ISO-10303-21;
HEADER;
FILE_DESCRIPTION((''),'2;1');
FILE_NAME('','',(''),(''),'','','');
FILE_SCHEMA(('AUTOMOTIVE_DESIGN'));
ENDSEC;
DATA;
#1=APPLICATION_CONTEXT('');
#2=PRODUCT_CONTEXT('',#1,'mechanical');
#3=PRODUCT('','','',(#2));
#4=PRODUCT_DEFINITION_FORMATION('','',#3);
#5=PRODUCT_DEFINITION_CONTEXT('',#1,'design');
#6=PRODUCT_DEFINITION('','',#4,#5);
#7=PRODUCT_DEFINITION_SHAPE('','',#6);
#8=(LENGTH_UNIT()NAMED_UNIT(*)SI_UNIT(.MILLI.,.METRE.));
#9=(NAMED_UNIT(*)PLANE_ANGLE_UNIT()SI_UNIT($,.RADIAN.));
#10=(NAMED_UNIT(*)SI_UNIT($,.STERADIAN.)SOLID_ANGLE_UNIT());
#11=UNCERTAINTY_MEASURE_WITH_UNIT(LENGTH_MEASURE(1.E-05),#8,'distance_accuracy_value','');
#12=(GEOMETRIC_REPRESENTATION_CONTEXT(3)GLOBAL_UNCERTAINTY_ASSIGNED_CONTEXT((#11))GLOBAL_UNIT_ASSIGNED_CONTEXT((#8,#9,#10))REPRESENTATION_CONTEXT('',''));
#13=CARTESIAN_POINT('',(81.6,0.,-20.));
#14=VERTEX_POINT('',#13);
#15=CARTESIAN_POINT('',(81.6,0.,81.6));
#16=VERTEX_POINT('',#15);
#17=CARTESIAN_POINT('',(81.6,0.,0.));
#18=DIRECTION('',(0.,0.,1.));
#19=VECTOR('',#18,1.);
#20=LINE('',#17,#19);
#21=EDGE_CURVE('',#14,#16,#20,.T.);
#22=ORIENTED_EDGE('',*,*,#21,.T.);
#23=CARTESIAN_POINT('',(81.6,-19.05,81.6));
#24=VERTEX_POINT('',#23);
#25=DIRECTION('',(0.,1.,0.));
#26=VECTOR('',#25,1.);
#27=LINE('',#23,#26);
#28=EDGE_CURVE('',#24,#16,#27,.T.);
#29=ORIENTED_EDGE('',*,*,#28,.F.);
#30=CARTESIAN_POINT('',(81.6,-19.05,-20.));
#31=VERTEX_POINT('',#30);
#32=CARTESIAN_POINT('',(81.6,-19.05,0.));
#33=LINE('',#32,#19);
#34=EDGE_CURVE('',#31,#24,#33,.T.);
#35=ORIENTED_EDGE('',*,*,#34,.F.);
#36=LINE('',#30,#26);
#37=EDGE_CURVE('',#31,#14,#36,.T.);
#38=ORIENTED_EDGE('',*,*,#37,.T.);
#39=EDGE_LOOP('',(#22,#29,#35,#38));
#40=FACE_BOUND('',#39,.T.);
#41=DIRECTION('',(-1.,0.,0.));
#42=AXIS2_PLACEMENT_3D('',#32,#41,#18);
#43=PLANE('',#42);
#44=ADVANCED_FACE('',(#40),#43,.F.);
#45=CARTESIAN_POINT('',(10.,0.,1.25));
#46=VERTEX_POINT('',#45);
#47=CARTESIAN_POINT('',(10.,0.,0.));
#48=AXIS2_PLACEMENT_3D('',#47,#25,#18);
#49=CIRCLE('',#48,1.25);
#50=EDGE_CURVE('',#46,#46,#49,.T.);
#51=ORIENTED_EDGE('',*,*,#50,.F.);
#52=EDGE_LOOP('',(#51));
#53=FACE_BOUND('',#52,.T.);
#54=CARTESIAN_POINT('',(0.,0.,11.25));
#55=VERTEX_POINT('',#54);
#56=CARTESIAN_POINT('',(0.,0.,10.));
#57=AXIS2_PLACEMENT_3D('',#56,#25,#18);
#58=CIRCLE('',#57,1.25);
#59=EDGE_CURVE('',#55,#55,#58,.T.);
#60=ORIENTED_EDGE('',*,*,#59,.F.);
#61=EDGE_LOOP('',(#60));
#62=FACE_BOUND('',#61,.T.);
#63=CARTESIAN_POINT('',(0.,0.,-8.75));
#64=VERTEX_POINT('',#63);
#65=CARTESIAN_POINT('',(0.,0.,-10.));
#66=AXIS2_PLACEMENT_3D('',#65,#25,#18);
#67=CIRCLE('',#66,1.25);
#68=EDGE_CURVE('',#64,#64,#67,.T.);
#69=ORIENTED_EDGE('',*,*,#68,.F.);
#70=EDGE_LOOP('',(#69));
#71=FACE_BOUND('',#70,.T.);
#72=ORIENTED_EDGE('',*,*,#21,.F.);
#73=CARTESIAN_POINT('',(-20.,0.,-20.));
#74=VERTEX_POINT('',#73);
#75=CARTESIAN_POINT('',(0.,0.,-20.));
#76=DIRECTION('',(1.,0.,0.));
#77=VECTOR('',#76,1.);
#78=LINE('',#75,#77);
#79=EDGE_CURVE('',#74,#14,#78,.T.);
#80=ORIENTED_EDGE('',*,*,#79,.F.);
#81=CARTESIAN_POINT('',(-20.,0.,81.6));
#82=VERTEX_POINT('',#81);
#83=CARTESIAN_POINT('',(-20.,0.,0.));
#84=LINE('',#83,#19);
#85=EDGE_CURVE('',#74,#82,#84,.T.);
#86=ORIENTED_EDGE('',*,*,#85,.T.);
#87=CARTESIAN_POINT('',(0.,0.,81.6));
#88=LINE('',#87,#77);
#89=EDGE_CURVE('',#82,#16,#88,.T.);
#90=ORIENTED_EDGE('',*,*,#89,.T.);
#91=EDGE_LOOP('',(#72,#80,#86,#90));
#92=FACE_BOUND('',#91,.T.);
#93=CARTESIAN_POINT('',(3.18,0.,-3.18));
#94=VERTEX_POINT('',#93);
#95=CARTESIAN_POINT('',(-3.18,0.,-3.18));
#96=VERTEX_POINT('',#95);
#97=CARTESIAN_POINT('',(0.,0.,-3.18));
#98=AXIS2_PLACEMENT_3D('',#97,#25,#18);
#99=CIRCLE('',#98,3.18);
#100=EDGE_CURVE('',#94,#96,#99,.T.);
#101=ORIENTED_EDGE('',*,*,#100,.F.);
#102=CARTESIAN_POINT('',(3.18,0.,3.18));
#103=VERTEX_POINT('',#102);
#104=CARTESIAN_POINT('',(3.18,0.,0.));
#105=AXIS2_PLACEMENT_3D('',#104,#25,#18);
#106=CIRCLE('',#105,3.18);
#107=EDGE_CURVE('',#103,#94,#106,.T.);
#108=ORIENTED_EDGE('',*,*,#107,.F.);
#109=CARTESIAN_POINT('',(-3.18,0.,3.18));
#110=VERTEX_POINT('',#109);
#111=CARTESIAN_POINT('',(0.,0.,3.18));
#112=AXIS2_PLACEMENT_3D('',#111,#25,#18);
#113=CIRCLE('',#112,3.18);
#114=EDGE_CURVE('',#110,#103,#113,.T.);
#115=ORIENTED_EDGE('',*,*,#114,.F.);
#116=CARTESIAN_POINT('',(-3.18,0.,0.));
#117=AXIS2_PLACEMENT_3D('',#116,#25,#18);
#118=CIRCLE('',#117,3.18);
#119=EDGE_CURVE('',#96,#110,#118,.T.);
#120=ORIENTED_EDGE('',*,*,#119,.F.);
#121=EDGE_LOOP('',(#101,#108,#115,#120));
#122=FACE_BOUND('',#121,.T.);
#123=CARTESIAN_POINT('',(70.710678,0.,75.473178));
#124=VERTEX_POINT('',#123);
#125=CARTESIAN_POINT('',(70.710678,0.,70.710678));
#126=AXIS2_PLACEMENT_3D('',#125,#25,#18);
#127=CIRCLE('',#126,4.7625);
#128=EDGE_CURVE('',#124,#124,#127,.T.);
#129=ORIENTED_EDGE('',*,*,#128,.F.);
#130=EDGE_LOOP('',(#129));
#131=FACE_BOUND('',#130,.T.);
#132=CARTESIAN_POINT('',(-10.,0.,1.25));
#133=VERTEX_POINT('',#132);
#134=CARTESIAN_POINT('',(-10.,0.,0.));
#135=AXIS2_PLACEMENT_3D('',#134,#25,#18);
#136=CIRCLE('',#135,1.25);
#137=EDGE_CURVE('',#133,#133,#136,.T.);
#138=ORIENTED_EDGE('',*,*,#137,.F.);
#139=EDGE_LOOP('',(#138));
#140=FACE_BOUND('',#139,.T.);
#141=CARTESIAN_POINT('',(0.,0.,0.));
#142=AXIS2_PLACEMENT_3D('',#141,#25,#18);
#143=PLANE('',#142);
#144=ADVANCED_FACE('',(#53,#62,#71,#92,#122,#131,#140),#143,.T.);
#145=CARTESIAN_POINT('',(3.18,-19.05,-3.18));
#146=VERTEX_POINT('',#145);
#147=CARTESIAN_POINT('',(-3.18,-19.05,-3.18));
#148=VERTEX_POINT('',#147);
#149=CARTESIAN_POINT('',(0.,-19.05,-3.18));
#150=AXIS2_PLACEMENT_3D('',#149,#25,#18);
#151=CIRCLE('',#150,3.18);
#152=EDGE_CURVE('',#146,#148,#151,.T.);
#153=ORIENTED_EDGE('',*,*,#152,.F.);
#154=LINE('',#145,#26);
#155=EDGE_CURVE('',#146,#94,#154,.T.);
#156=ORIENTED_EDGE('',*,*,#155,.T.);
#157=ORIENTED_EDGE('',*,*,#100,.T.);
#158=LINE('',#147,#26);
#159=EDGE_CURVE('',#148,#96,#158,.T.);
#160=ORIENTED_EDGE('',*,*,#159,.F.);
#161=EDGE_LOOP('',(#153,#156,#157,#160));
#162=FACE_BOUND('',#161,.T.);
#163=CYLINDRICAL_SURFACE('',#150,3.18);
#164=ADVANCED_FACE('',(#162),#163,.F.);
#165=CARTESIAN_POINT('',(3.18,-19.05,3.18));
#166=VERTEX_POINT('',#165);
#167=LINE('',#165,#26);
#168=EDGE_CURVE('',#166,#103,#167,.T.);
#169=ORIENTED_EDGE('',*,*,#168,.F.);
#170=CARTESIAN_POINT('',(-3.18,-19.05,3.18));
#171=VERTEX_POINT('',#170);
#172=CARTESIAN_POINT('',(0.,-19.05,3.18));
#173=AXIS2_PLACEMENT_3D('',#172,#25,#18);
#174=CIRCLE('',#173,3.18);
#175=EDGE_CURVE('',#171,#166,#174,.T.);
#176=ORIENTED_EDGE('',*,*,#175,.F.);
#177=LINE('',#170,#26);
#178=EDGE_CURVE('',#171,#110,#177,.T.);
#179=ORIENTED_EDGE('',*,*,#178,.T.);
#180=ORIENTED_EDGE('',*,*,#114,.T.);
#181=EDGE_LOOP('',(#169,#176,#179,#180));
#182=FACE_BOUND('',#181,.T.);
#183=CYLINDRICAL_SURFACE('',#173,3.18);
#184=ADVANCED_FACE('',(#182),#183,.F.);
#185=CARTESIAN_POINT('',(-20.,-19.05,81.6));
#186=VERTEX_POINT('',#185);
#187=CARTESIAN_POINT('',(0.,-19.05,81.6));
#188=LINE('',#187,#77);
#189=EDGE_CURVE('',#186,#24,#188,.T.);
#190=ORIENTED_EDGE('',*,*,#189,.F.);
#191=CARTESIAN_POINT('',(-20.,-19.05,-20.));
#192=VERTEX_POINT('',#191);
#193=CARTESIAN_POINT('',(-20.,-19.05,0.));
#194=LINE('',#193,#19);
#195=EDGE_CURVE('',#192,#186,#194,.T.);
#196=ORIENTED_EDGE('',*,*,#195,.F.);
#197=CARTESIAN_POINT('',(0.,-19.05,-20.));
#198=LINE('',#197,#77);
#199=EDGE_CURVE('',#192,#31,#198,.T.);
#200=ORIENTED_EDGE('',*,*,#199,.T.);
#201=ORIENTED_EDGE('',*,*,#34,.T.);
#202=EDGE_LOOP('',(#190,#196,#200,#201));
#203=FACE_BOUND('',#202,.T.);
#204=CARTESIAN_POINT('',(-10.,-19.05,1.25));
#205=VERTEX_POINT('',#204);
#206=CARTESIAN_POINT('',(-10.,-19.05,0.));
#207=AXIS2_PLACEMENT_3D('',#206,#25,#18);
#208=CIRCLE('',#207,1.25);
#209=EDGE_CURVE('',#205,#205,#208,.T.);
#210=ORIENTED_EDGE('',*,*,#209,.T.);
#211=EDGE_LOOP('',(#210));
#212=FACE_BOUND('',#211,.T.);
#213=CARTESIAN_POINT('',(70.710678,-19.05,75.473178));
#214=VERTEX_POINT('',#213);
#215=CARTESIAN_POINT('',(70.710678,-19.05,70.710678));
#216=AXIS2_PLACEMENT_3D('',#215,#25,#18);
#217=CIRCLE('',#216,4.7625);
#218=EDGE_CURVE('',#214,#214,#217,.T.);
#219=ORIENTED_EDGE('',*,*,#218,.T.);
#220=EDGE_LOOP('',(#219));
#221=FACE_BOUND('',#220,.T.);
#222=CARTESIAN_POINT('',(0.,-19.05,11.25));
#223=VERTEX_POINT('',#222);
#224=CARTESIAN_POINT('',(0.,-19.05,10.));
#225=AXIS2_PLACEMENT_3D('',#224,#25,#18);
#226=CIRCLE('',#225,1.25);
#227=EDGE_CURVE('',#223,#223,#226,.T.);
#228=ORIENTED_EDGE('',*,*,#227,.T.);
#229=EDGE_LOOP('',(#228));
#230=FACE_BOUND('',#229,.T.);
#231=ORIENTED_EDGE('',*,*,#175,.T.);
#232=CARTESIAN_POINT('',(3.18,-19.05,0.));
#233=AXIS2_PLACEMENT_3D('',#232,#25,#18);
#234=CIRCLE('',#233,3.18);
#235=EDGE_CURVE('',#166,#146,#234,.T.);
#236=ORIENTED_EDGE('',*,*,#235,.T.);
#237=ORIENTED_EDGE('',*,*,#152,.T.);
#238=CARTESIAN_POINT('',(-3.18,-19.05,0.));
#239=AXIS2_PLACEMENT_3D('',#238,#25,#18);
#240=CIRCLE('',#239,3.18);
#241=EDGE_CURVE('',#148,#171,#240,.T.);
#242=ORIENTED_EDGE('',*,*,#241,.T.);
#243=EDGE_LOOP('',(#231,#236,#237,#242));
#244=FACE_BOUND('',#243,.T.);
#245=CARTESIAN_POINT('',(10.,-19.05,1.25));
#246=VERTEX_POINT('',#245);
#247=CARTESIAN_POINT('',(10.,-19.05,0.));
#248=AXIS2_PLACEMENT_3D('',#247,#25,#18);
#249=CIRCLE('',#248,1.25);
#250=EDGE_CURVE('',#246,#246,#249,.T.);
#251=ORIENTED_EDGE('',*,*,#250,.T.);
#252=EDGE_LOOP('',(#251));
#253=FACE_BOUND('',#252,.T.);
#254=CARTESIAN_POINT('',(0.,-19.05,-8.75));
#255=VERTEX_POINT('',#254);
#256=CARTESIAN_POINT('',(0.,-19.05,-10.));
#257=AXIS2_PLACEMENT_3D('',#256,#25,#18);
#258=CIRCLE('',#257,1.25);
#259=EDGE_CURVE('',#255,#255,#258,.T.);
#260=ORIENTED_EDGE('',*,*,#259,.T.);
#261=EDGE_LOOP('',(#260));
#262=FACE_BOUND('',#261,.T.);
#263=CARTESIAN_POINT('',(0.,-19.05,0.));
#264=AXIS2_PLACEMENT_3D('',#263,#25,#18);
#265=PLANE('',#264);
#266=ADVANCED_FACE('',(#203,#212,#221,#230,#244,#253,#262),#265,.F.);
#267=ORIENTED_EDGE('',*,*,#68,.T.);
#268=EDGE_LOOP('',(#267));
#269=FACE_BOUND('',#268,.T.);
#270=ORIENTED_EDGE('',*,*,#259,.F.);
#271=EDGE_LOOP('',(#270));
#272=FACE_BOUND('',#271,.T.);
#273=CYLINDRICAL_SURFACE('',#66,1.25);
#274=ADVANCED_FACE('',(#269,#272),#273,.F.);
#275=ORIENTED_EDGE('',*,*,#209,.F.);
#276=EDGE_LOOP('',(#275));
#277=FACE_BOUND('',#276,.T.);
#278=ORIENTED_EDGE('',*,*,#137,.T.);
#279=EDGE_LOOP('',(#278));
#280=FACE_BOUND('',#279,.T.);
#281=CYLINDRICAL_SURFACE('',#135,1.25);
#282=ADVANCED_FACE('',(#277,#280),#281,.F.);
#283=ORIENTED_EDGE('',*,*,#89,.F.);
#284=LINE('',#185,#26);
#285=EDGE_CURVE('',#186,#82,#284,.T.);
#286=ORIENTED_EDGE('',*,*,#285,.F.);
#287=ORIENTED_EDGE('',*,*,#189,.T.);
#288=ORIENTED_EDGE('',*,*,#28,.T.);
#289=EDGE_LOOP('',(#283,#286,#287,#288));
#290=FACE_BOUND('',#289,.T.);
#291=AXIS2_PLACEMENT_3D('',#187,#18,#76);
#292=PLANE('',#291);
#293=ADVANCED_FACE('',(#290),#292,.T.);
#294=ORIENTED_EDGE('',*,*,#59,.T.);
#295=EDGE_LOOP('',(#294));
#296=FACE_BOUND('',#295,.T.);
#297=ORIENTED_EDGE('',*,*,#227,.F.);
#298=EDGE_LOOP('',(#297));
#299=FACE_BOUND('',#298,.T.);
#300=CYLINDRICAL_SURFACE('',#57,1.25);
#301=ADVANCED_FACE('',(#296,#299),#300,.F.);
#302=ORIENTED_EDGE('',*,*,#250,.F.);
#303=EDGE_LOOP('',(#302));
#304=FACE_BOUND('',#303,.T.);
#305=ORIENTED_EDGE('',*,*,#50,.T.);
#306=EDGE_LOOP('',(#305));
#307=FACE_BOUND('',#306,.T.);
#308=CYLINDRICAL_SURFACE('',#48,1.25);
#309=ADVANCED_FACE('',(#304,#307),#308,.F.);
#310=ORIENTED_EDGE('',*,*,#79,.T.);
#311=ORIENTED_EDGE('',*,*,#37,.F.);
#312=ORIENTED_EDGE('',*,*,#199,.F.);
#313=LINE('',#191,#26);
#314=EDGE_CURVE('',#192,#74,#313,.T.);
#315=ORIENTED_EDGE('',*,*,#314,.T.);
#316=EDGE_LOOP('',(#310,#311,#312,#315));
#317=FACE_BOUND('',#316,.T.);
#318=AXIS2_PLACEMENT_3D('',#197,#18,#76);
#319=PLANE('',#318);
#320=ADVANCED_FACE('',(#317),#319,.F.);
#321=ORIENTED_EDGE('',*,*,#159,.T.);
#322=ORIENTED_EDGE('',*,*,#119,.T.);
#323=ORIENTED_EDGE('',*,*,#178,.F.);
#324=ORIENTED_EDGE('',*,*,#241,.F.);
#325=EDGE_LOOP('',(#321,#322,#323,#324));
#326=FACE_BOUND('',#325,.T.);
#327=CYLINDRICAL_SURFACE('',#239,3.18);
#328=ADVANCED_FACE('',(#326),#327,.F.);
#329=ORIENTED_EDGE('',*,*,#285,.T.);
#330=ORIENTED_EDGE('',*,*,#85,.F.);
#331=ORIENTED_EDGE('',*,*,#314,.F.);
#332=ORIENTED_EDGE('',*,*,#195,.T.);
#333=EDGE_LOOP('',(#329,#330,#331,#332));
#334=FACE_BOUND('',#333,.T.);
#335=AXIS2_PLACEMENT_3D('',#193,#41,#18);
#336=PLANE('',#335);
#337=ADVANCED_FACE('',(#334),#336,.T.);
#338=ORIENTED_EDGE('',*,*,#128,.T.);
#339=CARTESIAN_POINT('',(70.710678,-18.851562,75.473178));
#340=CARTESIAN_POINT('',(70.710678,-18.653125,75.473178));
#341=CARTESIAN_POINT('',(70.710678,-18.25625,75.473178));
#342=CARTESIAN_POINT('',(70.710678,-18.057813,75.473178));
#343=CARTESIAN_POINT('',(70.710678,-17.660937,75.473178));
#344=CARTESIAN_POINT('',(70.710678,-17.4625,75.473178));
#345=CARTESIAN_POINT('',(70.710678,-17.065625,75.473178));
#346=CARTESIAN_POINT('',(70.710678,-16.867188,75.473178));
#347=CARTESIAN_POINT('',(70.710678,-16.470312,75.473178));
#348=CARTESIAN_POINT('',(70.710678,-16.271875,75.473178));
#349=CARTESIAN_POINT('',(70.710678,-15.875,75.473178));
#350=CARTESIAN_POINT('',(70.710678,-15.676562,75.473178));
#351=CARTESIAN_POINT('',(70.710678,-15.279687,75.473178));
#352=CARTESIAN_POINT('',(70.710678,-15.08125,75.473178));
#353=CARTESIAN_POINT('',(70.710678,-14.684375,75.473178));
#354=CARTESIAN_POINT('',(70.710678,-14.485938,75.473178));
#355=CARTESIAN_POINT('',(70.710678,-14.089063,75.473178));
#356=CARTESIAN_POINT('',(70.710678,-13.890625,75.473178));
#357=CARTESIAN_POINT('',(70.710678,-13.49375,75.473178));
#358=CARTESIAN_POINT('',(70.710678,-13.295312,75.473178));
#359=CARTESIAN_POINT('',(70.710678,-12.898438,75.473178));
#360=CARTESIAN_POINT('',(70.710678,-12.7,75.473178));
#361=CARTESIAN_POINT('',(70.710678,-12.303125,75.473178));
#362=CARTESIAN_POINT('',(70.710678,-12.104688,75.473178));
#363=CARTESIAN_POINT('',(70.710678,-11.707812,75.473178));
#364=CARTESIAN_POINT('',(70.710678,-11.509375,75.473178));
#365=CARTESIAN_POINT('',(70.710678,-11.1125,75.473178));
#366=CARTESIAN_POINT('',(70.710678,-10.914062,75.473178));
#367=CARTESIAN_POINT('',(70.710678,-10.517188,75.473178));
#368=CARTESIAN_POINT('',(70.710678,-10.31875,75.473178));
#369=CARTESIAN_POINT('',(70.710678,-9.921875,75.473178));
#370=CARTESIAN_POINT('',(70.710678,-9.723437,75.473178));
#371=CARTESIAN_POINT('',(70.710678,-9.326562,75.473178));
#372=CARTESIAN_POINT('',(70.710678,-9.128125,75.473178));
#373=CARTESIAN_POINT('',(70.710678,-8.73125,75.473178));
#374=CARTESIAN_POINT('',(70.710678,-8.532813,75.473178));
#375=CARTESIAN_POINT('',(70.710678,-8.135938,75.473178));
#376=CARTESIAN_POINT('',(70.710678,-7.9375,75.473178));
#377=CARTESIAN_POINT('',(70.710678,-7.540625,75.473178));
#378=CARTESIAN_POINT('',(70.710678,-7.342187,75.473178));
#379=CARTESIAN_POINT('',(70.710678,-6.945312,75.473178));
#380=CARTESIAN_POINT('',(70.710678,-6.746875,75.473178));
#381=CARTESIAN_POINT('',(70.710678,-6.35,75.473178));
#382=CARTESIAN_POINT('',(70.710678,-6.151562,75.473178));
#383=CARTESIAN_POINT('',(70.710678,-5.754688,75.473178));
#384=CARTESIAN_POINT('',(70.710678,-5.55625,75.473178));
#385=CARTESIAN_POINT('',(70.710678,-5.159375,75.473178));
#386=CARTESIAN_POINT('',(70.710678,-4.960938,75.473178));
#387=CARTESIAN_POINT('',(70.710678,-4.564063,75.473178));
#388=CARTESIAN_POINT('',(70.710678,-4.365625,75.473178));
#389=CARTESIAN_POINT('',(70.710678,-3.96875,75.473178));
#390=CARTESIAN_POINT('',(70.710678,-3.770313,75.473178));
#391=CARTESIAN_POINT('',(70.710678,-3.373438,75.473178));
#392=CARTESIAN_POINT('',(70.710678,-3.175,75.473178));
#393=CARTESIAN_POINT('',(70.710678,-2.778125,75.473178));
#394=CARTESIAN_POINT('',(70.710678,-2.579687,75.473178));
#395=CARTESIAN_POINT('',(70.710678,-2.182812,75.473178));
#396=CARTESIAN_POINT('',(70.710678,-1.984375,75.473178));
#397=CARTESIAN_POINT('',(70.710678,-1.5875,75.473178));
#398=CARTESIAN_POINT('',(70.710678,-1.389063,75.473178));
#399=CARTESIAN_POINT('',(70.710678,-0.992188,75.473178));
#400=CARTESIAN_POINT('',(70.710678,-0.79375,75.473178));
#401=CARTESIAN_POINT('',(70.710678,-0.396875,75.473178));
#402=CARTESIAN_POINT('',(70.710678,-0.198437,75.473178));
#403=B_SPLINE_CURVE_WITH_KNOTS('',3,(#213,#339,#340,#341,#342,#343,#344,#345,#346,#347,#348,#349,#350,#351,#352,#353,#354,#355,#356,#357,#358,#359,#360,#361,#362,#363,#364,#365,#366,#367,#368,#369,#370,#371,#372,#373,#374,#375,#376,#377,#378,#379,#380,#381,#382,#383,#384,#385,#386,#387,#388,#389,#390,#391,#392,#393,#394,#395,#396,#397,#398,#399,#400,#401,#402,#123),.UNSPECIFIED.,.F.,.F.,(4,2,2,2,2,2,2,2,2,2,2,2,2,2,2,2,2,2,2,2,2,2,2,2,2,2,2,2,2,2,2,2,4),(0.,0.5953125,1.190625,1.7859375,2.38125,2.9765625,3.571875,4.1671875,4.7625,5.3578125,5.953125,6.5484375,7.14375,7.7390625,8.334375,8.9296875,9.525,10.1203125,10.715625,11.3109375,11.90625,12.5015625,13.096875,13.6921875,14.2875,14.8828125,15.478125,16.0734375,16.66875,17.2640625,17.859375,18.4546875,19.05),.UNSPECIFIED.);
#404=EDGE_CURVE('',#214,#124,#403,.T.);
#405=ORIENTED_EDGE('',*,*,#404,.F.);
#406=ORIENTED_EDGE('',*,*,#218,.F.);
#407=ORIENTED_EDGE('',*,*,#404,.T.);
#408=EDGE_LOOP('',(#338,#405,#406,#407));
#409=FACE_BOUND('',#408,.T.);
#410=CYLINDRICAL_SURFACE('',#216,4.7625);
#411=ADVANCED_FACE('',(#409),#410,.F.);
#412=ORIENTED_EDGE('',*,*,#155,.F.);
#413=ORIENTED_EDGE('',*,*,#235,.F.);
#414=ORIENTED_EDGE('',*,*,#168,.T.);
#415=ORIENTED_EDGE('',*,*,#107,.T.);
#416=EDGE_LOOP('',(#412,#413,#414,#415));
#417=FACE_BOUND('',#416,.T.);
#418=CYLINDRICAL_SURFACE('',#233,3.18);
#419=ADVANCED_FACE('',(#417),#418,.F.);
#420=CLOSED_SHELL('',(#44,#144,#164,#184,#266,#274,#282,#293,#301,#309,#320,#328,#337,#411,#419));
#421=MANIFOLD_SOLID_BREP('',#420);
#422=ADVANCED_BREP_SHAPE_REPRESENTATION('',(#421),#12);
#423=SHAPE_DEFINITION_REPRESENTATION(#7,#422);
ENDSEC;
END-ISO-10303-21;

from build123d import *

# Parameters (mm, degrees)
SKETCH2_W                   = 101.6
SKETCH2_H                   = 101.6
SKETCH2_R                   = 4.7625
BOSS_EXTRUDE1_DEPTH         = 19.05
TAP_DRILL_FOR_M3X0_5_TAP1_D = 2.5


with BuildPart() as part:
    # Sketch2 → Boss-Extrude1 (new body)
    with BuildSketch(Plane(origin=(0, 0, 0), x_dir=(1, 0, 0), z_dir=(0, 1, 0))):
        with Locations((30.8, -30.8)):
            Rectangle(SKETCH2_W, SKETCH2_H)
        with Locations(Location((70.710678119, -70.710678119, 0), (0, 0, 270))):
            Circle(SKETCH2_R, mode=Mode.SUBTRACT)
        with BuildLine():
            ThreePointArc((-3.18, -3.18), (-6.36, 0), (-3.18, 3.18))
            ThreePointArc((-3.18, 3.18), (0, 6.36), (3.18, 3.18))
            ThreePointArc((3.18, 3.18), (6.36, 0), (3.18, -3.18))
            ThreePointArc((3.18, -3.18), (0, -6.36), (-3.18, -3.18))
        make_face(mode=Mode.SUBTRACT)
    extrude(amount=-BOSS_EXTRUDE1_DEPTH)

    # Tap Drill for M3x0.5 Tap1 (through all)
    with Locations(Plane(origin=(0, 0, -10), x_dir=(0, 0, 1), z_dir=(0, 1, 0))):
        with Locations((0, 0), (10, 10), (20, 0), (10, -10)):
            Hole(TAP_DRILL_FOR_M3X0_5_TAP1_D / 2)


solid = part.part
